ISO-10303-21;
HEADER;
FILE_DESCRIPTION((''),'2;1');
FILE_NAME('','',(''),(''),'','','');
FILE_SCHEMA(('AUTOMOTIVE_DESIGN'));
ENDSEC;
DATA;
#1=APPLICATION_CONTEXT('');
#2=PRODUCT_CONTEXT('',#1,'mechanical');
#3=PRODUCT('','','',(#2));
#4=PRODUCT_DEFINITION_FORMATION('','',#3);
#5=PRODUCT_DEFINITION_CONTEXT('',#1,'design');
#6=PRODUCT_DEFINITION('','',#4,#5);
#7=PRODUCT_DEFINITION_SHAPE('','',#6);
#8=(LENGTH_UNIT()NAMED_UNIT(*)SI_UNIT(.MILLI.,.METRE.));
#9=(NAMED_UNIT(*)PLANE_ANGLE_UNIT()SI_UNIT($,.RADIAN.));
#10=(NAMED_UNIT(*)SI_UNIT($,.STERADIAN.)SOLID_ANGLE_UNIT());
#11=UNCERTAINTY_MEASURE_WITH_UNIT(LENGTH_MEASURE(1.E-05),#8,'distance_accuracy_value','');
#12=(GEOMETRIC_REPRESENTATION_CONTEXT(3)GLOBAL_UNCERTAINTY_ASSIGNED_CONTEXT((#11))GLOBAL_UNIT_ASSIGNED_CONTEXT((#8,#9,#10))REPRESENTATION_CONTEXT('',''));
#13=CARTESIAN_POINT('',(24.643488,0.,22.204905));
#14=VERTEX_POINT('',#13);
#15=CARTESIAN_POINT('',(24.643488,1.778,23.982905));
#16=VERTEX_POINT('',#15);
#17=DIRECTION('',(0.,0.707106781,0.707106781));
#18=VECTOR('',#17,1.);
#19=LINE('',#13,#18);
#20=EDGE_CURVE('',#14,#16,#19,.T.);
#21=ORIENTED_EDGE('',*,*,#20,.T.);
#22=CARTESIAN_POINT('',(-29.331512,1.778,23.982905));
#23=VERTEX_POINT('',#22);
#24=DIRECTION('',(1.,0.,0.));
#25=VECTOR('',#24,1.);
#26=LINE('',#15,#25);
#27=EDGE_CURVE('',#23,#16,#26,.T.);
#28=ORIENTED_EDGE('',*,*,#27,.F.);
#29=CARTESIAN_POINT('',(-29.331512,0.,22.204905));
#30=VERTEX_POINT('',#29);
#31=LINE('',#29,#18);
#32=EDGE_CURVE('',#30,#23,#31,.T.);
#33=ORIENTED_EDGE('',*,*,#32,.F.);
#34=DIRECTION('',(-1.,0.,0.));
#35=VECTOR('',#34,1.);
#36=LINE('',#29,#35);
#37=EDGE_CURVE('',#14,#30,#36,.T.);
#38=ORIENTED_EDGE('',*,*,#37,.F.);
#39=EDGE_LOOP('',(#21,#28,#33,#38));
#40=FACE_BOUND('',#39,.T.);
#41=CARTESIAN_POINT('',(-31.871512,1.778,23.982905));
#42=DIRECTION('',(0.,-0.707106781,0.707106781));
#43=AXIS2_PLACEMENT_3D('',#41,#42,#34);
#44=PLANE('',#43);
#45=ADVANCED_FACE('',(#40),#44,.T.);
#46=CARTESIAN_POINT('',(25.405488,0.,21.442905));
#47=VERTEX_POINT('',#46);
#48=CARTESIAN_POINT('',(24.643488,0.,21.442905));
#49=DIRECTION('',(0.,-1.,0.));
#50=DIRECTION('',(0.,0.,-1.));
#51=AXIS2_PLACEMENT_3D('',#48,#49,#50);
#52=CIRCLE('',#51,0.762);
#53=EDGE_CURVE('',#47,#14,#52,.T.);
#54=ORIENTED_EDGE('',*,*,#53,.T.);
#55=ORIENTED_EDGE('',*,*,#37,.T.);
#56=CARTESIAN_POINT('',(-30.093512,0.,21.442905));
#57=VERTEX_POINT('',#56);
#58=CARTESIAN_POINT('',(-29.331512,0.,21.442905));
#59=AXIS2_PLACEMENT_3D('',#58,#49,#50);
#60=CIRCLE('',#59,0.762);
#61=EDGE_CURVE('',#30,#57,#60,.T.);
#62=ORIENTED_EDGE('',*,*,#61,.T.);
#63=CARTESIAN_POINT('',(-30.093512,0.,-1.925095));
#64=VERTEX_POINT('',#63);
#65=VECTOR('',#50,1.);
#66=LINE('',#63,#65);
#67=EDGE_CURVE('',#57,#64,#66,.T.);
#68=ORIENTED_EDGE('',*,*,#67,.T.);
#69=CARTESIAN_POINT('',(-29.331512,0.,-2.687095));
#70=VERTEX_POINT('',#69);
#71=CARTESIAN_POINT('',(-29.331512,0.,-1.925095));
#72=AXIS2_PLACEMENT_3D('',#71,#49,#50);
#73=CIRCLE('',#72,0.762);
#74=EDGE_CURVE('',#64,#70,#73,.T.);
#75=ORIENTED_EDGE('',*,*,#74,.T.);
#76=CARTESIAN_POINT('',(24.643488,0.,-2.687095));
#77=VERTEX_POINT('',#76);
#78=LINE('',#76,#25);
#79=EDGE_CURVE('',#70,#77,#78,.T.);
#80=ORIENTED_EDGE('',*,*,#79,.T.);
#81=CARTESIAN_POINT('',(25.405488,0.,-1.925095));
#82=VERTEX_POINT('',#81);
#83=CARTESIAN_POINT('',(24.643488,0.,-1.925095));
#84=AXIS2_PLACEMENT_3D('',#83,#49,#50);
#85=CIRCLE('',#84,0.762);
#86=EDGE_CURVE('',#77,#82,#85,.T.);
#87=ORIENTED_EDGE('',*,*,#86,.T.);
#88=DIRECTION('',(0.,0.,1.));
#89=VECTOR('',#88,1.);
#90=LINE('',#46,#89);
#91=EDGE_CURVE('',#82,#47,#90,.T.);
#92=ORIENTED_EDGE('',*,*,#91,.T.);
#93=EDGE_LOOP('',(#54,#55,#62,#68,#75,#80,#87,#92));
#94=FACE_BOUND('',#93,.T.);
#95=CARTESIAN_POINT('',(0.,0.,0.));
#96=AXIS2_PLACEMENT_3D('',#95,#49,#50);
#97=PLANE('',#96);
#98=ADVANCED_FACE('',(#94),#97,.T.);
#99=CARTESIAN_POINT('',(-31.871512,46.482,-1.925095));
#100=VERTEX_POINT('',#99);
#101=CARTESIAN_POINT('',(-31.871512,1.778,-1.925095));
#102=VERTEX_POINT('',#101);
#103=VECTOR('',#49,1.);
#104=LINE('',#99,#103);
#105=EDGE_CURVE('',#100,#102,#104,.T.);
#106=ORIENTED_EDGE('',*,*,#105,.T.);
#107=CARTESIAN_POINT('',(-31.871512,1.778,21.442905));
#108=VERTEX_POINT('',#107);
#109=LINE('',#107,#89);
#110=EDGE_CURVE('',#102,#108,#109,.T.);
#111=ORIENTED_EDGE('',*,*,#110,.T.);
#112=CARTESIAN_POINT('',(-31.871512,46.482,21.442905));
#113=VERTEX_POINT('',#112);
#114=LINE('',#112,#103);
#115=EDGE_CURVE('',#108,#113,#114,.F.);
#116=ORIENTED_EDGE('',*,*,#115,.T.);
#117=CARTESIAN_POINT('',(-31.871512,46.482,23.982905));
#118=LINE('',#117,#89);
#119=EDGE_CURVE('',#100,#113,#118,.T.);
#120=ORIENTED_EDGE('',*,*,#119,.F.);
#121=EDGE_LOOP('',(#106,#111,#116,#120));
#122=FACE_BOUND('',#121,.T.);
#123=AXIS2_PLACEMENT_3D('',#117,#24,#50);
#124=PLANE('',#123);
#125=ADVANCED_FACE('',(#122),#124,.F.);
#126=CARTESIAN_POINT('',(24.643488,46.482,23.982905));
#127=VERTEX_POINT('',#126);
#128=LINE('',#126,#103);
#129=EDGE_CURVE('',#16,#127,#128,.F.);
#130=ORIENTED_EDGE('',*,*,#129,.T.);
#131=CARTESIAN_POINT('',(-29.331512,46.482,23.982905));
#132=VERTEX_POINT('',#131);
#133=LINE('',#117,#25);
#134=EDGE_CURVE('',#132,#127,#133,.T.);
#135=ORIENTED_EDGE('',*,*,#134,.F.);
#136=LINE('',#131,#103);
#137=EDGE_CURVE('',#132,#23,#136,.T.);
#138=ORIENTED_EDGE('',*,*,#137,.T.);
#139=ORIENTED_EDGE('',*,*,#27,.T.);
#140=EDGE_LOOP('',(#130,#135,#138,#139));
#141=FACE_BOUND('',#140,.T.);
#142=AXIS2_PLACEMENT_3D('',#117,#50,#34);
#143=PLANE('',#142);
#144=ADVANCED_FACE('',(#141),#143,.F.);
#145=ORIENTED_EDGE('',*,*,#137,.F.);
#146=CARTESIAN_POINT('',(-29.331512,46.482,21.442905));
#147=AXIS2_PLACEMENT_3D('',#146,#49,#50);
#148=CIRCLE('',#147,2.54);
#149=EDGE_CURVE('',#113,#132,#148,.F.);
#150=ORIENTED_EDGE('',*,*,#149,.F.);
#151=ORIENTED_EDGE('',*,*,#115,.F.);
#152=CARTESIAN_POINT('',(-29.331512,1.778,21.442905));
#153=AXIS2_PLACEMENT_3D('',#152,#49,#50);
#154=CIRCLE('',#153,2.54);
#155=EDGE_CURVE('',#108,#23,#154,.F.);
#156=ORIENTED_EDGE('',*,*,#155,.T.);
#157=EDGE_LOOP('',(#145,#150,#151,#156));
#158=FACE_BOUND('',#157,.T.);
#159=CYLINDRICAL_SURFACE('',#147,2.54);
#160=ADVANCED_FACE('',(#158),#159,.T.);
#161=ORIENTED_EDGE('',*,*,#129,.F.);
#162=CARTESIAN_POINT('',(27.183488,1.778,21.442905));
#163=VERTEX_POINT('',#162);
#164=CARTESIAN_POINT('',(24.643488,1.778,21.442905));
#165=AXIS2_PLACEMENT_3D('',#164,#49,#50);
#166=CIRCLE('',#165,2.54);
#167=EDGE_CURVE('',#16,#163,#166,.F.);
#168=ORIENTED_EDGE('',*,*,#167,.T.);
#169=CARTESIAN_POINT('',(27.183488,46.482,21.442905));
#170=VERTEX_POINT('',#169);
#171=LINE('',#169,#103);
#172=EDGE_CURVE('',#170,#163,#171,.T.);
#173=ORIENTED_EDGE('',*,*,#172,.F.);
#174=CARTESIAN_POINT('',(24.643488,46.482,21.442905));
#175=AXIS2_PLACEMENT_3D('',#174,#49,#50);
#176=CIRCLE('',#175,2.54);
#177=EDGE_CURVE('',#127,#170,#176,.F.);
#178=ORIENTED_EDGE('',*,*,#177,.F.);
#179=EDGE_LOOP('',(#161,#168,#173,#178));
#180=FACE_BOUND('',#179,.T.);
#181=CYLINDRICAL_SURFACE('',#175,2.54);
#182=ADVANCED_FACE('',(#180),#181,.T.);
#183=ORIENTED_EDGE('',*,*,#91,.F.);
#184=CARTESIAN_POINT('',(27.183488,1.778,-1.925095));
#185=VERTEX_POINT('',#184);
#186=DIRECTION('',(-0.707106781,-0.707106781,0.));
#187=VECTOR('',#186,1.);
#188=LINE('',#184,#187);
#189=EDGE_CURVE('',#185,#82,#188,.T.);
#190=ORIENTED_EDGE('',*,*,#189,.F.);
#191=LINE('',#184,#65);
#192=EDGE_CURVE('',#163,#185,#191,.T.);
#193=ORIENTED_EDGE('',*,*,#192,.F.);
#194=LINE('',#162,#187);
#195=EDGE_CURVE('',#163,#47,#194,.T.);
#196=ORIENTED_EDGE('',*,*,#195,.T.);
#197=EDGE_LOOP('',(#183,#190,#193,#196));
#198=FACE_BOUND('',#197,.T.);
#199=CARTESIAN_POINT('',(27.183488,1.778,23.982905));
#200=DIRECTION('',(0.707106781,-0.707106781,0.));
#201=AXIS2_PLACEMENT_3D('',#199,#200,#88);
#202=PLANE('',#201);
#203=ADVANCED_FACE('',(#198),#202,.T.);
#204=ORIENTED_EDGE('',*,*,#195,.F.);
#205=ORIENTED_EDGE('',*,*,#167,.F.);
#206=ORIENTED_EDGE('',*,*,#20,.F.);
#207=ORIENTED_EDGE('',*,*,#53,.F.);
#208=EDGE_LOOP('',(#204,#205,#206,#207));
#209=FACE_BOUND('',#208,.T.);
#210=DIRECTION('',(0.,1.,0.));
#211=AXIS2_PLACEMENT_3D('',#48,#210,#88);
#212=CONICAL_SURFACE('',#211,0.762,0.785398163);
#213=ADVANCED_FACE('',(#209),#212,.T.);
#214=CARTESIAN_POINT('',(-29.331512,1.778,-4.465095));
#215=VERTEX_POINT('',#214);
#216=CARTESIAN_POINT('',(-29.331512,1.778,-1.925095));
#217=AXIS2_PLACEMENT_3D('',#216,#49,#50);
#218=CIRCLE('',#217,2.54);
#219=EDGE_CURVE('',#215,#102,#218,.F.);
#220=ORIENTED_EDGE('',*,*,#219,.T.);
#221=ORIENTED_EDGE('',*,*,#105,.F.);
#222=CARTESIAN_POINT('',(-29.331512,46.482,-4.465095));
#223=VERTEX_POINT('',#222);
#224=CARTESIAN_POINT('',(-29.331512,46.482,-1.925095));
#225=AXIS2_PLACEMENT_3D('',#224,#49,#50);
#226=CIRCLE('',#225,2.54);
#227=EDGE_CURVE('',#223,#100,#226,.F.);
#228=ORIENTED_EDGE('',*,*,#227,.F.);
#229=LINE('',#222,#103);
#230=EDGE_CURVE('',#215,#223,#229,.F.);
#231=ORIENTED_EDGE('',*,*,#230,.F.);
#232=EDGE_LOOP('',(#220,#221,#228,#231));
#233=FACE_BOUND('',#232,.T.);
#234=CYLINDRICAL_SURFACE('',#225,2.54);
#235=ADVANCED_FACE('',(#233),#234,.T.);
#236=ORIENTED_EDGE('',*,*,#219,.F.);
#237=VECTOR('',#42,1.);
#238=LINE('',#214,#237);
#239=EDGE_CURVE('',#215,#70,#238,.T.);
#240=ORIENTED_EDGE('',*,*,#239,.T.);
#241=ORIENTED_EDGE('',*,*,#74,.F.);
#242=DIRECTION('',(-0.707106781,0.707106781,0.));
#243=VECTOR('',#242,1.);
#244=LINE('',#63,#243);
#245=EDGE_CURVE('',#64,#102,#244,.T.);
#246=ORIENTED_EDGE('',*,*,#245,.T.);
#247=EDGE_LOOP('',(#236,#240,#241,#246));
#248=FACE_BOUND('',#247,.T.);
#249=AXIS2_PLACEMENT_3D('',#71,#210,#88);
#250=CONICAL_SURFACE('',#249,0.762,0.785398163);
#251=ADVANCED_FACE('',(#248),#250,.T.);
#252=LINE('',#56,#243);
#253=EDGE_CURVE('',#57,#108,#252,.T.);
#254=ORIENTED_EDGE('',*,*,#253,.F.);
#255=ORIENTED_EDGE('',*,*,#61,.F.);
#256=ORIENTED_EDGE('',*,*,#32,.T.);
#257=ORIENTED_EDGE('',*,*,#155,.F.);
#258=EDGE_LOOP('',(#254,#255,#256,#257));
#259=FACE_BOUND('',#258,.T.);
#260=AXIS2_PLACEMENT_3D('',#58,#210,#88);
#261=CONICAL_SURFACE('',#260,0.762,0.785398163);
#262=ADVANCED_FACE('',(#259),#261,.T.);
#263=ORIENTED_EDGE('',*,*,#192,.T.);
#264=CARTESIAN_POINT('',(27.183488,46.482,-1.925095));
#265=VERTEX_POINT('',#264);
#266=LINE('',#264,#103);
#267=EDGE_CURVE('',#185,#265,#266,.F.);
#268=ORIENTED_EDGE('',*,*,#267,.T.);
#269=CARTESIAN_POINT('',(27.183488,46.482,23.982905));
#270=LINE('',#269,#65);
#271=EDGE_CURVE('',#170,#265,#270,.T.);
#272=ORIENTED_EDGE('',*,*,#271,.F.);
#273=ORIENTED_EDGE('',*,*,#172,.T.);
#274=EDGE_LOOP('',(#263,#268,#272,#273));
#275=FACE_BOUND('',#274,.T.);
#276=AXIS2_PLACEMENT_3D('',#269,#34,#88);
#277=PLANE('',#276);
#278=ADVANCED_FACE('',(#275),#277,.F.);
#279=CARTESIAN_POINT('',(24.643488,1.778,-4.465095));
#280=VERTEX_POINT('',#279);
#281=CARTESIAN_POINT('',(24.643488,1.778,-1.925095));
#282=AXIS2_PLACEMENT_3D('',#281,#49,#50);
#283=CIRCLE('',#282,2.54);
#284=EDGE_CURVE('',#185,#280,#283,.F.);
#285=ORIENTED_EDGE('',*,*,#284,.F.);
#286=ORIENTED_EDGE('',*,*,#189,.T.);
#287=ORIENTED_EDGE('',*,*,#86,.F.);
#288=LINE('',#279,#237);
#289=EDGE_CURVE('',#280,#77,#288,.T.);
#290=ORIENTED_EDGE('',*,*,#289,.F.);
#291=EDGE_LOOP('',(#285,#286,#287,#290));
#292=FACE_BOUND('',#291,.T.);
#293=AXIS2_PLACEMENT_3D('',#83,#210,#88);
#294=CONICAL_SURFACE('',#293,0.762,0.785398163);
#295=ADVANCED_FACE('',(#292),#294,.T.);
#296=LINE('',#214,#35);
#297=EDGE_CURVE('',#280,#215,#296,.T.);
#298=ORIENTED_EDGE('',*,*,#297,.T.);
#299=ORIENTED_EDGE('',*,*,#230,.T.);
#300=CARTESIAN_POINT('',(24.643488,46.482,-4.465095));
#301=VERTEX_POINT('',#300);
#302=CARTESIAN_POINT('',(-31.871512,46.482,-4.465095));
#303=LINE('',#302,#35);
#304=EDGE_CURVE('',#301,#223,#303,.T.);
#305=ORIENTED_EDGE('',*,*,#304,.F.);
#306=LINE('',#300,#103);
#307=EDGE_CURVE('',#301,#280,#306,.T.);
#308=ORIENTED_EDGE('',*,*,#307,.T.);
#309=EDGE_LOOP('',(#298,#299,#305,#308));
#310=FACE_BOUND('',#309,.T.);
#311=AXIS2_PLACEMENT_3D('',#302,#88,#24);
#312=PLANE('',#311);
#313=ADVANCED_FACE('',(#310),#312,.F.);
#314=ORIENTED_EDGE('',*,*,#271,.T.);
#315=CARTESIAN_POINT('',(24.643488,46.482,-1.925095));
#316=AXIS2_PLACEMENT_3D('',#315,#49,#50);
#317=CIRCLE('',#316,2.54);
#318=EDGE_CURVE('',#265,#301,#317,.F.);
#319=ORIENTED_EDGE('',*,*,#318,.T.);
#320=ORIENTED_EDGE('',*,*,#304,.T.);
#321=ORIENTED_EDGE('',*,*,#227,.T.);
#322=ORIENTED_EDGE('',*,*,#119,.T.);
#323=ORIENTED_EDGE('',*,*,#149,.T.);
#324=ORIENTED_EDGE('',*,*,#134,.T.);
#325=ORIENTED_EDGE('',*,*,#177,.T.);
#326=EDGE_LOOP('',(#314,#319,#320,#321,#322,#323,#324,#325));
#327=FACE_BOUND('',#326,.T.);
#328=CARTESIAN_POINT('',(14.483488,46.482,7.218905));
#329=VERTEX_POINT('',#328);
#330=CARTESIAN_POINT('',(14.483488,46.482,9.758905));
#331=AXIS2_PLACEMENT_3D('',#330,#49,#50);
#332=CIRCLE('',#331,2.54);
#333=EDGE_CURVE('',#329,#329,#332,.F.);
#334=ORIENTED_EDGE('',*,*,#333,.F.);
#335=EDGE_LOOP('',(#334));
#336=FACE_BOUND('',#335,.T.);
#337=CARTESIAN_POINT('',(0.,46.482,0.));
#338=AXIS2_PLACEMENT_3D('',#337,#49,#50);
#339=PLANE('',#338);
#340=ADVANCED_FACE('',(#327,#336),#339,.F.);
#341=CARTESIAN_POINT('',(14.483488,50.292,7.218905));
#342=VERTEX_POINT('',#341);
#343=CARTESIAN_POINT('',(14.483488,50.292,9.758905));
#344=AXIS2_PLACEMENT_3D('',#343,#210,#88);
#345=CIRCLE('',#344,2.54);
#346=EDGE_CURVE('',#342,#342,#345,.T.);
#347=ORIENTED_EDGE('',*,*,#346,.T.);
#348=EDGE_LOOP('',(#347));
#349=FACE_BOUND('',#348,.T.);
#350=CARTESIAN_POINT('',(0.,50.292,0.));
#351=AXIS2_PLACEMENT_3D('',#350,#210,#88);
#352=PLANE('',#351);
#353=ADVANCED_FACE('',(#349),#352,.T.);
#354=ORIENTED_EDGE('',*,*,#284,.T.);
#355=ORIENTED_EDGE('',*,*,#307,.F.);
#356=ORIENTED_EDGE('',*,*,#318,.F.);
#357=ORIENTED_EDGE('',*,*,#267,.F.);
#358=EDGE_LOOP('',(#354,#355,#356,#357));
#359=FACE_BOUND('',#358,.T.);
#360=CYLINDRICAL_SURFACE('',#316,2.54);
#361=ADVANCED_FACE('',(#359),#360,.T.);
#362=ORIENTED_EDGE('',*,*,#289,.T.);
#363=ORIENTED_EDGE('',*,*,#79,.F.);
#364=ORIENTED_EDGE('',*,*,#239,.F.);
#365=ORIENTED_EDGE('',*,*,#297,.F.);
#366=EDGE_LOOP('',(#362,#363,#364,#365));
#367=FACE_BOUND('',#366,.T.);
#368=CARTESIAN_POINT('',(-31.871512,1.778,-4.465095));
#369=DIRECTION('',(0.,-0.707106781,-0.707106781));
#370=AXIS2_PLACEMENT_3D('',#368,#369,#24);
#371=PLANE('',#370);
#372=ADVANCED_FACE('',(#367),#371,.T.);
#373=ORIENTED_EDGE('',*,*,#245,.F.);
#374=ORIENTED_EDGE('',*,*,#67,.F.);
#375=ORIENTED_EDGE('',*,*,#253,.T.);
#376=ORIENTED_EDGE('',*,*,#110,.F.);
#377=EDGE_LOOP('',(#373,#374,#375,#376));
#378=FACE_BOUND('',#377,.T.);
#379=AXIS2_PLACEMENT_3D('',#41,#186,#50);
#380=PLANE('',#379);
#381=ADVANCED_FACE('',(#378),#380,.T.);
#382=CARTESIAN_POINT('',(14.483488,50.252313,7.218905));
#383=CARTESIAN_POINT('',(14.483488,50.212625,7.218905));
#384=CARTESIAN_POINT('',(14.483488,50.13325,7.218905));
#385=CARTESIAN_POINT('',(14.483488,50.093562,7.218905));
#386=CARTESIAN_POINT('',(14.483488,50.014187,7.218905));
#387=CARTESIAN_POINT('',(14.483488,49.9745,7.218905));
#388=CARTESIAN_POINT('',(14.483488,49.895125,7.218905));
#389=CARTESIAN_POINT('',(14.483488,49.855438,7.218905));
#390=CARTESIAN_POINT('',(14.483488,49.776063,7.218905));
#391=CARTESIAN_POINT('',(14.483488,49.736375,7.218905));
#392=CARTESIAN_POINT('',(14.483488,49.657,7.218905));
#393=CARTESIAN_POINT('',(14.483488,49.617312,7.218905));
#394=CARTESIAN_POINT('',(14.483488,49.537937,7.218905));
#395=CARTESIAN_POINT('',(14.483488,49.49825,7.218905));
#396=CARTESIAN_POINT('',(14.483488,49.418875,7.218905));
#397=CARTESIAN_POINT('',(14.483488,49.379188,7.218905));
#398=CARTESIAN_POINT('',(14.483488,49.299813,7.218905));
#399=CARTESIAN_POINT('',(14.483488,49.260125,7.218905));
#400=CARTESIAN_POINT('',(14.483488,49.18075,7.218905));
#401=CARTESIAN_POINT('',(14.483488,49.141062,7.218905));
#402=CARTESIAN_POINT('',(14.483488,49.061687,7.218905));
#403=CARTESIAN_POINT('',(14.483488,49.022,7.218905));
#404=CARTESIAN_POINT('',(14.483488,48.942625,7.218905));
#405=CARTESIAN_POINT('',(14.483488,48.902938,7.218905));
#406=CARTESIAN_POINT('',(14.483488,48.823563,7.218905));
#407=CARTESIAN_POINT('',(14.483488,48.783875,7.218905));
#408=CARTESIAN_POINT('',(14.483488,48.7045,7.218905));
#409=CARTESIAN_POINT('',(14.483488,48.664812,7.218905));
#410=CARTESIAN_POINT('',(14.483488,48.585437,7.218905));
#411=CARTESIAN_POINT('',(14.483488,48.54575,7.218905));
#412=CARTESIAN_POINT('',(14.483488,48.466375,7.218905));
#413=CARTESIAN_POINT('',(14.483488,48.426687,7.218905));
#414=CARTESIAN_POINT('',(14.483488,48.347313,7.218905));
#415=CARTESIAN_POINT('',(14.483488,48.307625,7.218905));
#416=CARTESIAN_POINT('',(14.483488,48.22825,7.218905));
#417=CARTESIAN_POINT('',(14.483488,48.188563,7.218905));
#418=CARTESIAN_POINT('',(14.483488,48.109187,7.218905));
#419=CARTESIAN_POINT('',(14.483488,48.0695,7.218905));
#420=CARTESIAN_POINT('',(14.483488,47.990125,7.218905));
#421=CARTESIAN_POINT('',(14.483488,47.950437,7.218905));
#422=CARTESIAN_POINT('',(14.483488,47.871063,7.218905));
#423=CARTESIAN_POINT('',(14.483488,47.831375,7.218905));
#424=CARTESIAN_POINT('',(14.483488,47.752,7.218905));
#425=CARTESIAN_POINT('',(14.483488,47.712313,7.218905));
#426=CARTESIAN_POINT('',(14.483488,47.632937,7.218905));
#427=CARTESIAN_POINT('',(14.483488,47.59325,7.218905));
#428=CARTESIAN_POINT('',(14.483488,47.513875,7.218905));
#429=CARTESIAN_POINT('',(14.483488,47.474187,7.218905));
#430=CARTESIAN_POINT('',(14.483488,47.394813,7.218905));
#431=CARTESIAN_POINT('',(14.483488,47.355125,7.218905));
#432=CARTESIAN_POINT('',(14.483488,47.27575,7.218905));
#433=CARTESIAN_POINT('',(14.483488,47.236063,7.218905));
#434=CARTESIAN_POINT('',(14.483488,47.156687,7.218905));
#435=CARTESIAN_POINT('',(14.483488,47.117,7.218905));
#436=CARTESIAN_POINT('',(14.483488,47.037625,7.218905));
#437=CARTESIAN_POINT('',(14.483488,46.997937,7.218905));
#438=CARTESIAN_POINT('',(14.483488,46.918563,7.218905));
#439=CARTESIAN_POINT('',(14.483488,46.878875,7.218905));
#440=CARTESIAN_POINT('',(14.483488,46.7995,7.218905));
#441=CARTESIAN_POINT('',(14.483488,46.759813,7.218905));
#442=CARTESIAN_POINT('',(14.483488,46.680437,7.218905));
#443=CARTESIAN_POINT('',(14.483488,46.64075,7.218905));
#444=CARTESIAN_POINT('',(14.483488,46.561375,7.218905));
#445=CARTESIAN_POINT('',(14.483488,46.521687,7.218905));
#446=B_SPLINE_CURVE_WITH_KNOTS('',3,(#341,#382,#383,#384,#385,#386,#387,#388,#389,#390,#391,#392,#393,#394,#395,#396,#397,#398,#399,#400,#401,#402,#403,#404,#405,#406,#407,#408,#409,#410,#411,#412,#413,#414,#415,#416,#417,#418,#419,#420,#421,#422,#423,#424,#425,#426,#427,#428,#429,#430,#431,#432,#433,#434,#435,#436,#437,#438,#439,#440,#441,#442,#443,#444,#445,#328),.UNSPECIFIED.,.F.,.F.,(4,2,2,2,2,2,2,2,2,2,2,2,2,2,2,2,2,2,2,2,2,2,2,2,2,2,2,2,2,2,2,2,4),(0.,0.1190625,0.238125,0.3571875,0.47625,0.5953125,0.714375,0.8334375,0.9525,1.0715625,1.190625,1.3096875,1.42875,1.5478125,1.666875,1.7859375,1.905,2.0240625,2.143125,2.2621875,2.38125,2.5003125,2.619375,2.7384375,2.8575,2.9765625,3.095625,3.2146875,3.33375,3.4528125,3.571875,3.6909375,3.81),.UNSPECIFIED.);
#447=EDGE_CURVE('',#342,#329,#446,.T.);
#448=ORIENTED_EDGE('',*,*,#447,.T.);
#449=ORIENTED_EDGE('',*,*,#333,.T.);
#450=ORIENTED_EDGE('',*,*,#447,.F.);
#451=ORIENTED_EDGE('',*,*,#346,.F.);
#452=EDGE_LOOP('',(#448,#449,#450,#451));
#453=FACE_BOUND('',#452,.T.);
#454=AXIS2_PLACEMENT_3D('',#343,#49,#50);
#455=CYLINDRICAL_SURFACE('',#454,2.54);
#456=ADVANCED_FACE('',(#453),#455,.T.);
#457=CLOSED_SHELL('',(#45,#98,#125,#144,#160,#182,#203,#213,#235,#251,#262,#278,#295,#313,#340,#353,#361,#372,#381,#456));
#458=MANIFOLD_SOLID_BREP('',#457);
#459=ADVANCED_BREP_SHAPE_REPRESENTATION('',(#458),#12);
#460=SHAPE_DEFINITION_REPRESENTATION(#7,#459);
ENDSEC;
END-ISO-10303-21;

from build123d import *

# Parameters (mm, degrees)
SKETCH1_W           = 59.055
SKETCH1_H           = 28.448
BOSS_EXTRUDE1_DEPTH = 46.482
SKETCH2_R           = 2.54
BOSS_EXTRUDE2_DEPTH = 3.81
FILLET1_R           = 2.54
CHAMFER1_SIZE       = 1.778


with BuildPart() as part:
    # Sketch1 → Boss-Extrude1 (new body)
    with BuildSketch(Plane(origin=(0, 0, 0), x_dir=(1, 0, 0), z_dir=(0, 1, 0))):
        with Locations((-2.344011553, -9.758904569)):
            Rectangle(SKETCH1_W, SKETCH1_H)
    extrude(amount=BOSS_EXTRUDE1_DEPTH)

    # Sketch2 → Boss-Extrude2 (add)
    with BuildSketch(Plane(origin=(0, 46.482, 0), x_dir=(1, 0, 0), z_dir=(0, 1, 0))):
        with Locations(Location((14.483488447, -9.758904569, 0), (0, 0, 90))):
            Circle(SKETCH2_R)
    extrude(amount=BOSS_EXTRUDE2_DEPTH)

    # Fillet1
    fillet1_edges = [part.edges().sort_by_distance(p)[0] for p in [
        (-31.871511553, 23.241, -4.465095431),
        (27.183488447, 23.241, -4.465095431),
        (27.183488447, 23.241, 23.982904569),
        (-31.871511553, 23.241, 23.982904569),
    ]]
    fillet(fillet1_edges, radius=FILLET1_R)

    # Chamfer1
    chamfer1_edges = [part.edges().sort_by_distance(p)[0] for p in [
        (-31.871511553, 0, 9.758904569),
        (-2.344011553, 0, -4.465095431),
        (27.183488447, 0, 9.758904569),
        (-2.344011553, 0, 23.982904569),
        (-31.127562777, 0, 23.238955793),
        (26.439539672, 0, 23.238955793),
        (26.439539672, 0, -3.721146655),
        (-31.127562777, 0, -3.721146655),
    ]]
    chamfer(chamfer1_edges, length=CHAMFER1_SIZE)


solid = part.part
